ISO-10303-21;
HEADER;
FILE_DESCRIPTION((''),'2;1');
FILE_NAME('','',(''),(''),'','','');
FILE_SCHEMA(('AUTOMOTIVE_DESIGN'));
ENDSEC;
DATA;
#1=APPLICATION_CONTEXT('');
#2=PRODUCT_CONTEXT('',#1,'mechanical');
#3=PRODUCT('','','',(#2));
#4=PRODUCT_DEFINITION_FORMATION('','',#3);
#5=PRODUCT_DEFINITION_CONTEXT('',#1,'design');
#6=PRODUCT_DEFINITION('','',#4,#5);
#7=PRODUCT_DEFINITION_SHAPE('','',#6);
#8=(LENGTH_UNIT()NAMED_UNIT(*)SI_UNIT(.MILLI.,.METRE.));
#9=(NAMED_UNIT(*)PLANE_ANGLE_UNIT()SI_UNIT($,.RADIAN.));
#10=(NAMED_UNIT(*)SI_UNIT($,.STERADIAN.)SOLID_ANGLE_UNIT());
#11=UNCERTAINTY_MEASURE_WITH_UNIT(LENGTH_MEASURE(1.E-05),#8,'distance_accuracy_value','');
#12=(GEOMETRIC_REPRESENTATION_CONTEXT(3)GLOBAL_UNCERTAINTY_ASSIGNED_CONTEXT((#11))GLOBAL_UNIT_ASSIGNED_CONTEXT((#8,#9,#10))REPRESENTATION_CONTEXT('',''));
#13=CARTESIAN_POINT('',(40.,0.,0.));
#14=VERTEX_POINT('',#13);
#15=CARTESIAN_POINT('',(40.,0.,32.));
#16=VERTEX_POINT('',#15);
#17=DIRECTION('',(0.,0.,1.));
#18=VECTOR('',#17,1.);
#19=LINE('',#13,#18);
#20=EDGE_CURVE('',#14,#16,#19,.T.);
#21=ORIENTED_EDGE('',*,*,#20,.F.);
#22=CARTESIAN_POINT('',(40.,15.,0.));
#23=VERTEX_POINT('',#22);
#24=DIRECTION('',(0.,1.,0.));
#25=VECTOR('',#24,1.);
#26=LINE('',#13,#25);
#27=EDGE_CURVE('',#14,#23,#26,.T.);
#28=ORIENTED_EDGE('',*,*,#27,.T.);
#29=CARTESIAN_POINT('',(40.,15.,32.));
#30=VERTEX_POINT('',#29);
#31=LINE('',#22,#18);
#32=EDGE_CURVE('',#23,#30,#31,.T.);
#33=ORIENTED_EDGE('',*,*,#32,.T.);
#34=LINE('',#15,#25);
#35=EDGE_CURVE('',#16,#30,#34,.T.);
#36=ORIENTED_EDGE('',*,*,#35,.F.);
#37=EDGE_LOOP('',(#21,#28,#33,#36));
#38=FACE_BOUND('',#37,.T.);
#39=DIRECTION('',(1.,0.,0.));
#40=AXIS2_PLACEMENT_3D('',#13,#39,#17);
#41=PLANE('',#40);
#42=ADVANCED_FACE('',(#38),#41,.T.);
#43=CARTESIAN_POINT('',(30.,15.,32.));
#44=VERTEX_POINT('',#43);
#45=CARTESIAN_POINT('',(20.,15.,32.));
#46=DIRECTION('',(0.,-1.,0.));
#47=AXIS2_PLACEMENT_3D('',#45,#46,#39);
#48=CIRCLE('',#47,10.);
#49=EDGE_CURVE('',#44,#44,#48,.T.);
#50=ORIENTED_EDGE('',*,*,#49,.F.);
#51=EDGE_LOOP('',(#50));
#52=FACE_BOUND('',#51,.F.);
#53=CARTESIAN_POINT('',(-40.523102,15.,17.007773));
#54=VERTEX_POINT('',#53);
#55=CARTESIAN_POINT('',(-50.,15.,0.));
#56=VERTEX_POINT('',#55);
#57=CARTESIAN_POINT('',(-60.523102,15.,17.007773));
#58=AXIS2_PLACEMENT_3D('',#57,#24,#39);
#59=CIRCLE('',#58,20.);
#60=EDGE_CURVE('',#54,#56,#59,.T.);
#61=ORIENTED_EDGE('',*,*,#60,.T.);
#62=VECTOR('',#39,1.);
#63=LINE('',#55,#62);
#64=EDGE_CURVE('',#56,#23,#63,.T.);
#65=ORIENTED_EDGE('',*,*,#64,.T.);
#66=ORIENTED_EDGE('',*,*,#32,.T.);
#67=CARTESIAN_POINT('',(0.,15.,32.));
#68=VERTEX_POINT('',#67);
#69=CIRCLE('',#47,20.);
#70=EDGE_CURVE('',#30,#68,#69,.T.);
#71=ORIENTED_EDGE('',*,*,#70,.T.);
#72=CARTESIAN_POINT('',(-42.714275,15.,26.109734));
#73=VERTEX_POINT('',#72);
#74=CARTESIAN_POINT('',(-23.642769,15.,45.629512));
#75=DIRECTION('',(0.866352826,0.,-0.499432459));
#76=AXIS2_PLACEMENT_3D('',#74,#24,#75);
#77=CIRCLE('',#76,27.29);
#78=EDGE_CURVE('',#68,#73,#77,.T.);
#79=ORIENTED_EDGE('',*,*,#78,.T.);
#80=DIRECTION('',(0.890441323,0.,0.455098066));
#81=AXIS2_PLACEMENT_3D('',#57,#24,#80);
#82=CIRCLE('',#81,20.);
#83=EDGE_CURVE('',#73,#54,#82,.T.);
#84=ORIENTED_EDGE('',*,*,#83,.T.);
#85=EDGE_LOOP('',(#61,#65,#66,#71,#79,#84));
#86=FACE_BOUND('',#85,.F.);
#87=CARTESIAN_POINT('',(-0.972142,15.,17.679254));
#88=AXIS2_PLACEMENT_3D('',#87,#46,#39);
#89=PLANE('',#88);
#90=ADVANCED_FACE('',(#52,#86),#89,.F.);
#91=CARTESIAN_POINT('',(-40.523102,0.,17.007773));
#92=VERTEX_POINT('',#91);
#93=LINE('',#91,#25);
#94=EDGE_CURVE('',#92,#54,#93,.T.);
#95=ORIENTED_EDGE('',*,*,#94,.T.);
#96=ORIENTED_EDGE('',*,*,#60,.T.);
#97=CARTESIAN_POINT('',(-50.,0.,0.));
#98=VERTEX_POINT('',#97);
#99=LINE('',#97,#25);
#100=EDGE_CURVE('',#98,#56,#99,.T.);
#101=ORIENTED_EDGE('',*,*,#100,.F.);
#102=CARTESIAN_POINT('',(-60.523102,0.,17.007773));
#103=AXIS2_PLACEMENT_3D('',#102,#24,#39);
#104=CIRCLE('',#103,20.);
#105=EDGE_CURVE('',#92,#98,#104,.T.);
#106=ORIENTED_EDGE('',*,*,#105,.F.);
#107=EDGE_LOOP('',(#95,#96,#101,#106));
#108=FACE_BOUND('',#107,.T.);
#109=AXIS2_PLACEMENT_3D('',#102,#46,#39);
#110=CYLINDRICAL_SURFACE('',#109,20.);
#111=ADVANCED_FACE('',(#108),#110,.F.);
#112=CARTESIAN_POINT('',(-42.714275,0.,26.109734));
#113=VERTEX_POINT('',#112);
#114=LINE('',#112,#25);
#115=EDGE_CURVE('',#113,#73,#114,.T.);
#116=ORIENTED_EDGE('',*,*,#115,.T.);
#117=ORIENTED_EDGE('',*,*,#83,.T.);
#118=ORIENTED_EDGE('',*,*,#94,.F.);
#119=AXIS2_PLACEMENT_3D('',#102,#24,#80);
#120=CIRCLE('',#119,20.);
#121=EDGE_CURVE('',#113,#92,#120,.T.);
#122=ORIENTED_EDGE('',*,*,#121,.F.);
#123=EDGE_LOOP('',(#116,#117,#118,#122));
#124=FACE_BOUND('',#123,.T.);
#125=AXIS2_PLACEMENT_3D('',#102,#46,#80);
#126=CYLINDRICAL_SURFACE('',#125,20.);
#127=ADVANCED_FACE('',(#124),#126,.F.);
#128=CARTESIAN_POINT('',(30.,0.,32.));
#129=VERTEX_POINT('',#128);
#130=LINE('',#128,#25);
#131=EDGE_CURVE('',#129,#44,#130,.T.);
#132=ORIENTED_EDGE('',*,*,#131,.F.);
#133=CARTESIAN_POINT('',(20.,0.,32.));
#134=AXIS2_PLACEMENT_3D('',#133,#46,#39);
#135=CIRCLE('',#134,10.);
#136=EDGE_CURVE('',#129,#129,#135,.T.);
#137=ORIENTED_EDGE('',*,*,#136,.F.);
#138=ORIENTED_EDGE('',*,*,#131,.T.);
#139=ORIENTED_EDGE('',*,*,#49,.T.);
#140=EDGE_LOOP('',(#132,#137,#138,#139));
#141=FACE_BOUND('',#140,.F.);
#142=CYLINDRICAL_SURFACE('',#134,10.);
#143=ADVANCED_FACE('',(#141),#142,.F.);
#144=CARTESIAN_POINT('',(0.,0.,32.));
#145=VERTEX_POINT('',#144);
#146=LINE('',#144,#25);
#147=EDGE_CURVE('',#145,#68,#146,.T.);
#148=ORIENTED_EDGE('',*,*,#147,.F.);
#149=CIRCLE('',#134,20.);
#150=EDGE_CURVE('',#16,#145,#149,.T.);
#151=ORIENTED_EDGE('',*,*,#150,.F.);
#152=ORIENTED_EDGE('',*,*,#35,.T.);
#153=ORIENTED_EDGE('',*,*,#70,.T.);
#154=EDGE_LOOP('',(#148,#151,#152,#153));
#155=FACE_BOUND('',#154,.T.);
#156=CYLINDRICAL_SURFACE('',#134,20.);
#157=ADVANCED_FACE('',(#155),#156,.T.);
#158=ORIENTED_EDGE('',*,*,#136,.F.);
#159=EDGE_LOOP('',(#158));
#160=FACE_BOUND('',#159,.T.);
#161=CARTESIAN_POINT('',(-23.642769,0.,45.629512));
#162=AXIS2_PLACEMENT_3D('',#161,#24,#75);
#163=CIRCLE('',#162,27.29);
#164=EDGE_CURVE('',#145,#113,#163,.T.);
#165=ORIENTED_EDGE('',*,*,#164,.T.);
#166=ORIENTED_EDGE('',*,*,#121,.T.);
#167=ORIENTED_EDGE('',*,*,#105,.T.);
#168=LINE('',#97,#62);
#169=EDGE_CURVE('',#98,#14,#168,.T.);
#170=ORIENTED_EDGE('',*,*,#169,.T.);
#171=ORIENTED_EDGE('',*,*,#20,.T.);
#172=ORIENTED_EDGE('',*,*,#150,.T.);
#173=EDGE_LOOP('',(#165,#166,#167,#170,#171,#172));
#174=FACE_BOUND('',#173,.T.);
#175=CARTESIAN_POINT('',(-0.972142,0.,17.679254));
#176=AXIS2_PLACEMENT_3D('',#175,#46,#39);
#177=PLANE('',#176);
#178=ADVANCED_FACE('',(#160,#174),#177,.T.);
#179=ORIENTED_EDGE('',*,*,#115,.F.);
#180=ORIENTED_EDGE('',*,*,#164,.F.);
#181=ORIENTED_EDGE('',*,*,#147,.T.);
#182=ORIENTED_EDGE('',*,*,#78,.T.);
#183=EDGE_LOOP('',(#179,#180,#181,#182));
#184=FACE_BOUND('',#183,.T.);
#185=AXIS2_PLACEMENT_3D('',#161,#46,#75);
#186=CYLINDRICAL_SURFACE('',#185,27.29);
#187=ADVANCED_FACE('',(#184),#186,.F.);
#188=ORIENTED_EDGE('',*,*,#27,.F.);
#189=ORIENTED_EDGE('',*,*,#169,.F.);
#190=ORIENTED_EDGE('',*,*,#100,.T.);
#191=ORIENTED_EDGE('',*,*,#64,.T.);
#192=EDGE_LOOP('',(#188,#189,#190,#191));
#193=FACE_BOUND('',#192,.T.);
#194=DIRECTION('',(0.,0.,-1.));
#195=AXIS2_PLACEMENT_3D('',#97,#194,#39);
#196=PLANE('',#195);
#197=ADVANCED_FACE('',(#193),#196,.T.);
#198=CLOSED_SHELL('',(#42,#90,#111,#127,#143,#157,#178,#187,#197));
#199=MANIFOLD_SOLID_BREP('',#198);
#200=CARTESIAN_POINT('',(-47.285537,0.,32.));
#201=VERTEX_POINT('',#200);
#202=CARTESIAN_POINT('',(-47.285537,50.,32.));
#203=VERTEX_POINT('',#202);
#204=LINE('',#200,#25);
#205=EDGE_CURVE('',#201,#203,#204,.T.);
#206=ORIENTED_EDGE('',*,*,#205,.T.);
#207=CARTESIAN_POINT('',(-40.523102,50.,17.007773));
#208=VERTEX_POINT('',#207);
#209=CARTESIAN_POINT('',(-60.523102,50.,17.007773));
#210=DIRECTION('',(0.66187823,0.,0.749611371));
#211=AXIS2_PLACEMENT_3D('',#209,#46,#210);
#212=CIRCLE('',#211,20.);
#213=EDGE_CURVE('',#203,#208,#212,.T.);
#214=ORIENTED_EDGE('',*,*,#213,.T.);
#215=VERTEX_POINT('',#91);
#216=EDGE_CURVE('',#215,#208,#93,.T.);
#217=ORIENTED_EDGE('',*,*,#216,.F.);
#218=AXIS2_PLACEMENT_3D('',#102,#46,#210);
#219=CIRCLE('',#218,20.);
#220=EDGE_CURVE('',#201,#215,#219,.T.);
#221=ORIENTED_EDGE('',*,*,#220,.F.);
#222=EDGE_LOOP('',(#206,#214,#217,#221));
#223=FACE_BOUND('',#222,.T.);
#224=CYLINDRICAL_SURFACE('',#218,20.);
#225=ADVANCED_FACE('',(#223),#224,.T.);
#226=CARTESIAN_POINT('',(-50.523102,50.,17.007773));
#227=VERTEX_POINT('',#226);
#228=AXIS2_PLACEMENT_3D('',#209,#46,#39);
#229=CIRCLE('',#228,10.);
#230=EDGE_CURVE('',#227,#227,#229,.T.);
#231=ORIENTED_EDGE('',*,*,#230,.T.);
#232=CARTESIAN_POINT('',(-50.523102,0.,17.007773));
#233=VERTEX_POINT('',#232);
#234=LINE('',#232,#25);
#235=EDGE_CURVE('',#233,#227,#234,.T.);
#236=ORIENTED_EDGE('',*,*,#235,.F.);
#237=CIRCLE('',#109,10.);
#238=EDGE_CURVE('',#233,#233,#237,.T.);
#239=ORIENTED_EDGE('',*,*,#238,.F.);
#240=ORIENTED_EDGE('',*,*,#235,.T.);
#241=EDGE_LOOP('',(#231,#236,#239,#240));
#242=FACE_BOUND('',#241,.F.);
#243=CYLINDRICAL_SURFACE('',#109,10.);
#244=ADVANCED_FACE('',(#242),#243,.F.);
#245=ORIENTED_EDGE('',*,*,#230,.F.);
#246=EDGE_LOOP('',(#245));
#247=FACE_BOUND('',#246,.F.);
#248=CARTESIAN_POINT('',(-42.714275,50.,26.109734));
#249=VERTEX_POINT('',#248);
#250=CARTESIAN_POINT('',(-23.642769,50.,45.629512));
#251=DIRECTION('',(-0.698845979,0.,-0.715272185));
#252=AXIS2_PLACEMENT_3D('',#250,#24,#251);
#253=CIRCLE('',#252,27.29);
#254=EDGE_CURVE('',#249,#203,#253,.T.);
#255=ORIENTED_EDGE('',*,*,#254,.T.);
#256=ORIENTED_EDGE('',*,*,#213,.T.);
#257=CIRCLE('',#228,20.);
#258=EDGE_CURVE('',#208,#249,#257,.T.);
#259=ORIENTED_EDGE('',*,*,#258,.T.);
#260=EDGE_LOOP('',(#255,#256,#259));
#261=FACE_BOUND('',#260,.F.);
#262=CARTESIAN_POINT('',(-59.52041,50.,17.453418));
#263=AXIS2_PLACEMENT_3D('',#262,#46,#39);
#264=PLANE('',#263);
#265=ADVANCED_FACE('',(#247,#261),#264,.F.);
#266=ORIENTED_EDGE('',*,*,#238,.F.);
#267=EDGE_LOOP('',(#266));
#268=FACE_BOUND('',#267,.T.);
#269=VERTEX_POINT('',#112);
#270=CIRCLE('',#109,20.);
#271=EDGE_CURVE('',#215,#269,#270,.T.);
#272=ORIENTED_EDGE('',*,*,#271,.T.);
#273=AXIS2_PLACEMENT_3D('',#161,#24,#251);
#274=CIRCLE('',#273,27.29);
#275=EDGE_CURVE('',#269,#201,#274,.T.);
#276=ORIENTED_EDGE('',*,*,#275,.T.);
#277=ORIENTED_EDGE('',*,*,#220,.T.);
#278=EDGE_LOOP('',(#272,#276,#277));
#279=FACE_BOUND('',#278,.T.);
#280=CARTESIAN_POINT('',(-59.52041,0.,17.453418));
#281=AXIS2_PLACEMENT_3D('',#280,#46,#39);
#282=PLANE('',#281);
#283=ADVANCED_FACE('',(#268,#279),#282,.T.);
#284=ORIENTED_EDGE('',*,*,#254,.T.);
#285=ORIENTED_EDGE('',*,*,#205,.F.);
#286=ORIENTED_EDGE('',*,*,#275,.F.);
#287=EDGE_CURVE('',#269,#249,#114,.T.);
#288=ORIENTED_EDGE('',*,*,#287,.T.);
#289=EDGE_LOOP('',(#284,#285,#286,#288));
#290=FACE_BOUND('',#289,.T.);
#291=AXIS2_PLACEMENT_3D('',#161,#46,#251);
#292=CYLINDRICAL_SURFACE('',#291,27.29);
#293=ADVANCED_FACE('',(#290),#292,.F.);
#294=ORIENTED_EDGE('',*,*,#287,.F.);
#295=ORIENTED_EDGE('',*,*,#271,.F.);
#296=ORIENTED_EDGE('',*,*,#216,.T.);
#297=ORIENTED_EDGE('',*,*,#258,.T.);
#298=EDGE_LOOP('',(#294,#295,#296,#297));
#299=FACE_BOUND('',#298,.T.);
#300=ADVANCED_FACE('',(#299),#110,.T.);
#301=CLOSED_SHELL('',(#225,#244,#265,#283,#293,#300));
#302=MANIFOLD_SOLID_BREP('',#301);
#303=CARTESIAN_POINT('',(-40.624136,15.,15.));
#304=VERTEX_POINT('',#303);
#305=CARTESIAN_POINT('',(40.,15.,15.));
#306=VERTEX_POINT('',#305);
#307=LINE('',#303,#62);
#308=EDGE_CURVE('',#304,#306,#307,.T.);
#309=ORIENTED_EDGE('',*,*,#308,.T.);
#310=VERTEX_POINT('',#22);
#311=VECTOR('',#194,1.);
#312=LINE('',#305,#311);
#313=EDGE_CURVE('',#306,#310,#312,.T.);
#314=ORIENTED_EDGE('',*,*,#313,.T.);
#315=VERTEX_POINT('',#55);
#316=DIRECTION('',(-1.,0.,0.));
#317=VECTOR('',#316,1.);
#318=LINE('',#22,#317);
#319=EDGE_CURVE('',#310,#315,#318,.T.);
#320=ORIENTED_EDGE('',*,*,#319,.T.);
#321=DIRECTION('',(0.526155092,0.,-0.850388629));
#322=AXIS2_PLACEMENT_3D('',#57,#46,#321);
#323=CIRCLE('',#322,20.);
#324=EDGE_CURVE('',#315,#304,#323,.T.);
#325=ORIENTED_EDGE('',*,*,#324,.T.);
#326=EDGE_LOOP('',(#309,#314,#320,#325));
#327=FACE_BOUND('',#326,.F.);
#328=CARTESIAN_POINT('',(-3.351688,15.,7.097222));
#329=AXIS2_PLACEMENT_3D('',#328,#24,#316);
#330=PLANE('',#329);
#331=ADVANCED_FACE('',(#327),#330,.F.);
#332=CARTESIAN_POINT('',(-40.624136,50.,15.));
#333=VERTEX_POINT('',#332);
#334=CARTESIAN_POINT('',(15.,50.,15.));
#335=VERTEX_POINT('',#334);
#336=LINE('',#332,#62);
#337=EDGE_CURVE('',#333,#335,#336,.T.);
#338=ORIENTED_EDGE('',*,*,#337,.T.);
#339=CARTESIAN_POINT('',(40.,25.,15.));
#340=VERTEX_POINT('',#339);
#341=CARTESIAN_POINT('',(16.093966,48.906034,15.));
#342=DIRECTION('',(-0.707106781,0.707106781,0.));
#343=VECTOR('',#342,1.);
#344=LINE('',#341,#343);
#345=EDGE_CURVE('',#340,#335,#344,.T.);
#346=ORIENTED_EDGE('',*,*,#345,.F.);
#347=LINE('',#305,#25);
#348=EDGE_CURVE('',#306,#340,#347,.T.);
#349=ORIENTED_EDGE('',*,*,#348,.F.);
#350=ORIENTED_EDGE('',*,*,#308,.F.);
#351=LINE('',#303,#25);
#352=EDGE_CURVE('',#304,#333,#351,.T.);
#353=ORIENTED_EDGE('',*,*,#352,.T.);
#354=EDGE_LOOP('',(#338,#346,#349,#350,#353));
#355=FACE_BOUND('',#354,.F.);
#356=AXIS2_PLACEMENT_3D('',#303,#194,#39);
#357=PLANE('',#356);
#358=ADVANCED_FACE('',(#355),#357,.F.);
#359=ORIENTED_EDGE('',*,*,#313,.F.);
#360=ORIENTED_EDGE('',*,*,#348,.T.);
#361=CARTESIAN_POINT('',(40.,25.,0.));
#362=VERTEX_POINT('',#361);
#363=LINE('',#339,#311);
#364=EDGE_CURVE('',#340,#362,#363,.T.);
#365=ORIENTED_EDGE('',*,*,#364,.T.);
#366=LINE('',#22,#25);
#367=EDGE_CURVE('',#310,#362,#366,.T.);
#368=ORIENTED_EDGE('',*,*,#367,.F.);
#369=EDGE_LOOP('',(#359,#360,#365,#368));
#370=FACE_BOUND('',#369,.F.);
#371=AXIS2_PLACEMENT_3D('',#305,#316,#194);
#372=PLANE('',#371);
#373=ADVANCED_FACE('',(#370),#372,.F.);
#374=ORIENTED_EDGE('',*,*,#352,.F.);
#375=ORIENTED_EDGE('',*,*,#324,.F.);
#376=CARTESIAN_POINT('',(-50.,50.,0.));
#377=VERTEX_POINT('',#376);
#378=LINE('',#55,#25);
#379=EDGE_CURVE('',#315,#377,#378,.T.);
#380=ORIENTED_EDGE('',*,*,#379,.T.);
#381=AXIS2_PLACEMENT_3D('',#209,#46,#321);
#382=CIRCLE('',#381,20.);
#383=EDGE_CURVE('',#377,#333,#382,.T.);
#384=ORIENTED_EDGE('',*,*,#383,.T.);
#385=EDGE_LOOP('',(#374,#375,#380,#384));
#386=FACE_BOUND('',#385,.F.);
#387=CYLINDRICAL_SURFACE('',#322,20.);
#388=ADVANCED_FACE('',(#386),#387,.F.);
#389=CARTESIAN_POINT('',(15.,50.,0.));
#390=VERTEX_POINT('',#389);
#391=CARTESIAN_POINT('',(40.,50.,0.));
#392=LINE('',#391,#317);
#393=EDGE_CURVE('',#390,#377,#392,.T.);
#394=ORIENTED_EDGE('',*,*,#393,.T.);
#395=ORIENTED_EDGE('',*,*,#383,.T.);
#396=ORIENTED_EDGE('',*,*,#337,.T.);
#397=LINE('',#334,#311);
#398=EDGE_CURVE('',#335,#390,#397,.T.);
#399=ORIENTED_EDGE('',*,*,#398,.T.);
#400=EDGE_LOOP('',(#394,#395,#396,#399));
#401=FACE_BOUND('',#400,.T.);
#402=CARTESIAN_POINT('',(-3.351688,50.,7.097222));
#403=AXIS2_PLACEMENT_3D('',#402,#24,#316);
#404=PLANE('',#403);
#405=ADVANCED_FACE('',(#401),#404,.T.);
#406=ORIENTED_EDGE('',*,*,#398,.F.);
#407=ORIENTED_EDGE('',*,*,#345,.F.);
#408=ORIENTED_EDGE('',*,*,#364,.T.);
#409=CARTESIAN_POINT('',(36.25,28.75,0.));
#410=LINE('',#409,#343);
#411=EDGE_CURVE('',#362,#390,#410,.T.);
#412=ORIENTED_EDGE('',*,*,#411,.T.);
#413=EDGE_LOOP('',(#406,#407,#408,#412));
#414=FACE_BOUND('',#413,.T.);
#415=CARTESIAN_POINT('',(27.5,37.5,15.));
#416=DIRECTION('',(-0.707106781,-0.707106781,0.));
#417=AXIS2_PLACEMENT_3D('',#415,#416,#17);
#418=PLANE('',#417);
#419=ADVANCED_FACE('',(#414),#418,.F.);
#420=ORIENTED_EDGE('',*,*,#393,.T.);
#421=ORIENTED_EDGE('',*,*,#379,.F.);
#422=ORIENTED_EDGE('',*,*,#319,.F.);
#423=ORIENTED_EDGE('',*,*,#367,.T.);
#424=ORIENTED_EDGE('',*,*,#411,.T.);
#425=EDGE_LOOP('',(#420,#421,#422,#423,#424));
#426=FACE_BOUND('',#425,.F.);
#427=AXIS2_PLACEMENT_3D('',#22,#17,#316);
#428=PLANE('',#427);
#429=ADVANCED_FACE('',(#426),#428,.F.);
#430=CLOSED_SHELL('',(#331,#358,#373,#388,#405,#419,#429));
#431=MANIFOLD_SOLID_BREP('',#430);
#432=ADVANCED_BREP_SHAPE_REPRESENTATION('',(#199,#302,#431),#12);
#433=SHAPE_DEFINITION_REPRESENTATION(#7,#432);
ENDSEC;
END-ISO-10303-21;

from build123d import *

# Parameters (mm, degrees)
F0_R     = 10
F1_DEPTH = 15
F2_DEPTH = 50
F3_DEPTH = 50
F5_DEPTH = 35
F6_SIZE  = 25


with BuildPart() as f1:
    # F0 (on Front) → F1 (new body)
    with BuildSketch(Plane.XZ):
        with BuildLine():
            Line((-50, 0), (40, 0))
            Line((40, 0), (40, 32))
            ThreePointArc((40, 32), (20, 52), (0, 32))
            ThreePointArc((0, 32), (-19.9147775385, 18.5953448685), (-42.7142753659, 26.1097338935))
            ThreePointArc((-42.7142753659, 26.1097338935), (-41.0786099469, 21.6887698307), (-40.5231018317, 17.0077725714))
            ThreePointArc((-40.5231018317, 17.0077725714), (-43.0522398519, 7.2728364297), (-50, 0))
        make_face()
        with Locations((20, 32)):
            Circle(F0_R, mode=Mode.SUBTRACT)
    extrude(amount=-F1_DEPTH)

    # F0 (on Front) → F3 (cut)
    with BuildSketch(Plane.XZ):
        with Locations((-60.5231018317, 17.0077725714)):
            Circle(F0_R)
    extrude(amount=-F3_DEPTH, mode=Mode.SUBTRACT)


with BuildPart() as f2:
    # F0 (on Front) → F2 (new body)
    with BuildSketch(Plane.XZ):
        with BuildLine():
            ThreePointArc((-47.2855372246, 32), (-80.4515317098, 18.69824073), (-50, 0))
            ThreePointArc((-50, 0), (-43.0522398519, 7.2728364297), (-40.5231018317, 17.0077725714))
            ThreePointArc((-40.5231018317, 17.0077725714), (-41.0786099469, 21.6887698307), (-42.7142753659, 26.1097338935))
            ThreePointArc((-42.7142753659, 26.1097338935), (-45.2020157863, 28.8980157297), (-47.2855372246, 32))
        make_face()
        with Locations((-60.5231018317, 17.0077725714)):
            Circle(F0_R, mode=Mode.SUBTRACT)
    extrude(amount=-F2_DEPTH)


with BuildPart() as f5:
    # F4 (on face) → F5 (new body)
    with BuildSketch(Plane(origin=(0, 15, 0), x_dir=(-1, 0, 0), z_dir=(0, 1, 0))):
        with BuildLine():
            Line((40.6241357957, 15), (-40, 15))
            Line((-40, 15), (-40, 0))
            Line((-40, 0), (50, 0))
            ThreePointArc((50, 0), (43.5635749121, 6.4070911469), (40.6241357957, 15))
        make_face()
    extrude(amount=F5_DEPTH)

    # F6
    f6_edges = [f5.edges().sort_by_distance(p)[0] for p in [
        (40, 50, 7.5),
    ]]
    chamfer(f6_edges, length=F6_SIZE)


solid = Compound([f1.part, f2.part, f5.part])
